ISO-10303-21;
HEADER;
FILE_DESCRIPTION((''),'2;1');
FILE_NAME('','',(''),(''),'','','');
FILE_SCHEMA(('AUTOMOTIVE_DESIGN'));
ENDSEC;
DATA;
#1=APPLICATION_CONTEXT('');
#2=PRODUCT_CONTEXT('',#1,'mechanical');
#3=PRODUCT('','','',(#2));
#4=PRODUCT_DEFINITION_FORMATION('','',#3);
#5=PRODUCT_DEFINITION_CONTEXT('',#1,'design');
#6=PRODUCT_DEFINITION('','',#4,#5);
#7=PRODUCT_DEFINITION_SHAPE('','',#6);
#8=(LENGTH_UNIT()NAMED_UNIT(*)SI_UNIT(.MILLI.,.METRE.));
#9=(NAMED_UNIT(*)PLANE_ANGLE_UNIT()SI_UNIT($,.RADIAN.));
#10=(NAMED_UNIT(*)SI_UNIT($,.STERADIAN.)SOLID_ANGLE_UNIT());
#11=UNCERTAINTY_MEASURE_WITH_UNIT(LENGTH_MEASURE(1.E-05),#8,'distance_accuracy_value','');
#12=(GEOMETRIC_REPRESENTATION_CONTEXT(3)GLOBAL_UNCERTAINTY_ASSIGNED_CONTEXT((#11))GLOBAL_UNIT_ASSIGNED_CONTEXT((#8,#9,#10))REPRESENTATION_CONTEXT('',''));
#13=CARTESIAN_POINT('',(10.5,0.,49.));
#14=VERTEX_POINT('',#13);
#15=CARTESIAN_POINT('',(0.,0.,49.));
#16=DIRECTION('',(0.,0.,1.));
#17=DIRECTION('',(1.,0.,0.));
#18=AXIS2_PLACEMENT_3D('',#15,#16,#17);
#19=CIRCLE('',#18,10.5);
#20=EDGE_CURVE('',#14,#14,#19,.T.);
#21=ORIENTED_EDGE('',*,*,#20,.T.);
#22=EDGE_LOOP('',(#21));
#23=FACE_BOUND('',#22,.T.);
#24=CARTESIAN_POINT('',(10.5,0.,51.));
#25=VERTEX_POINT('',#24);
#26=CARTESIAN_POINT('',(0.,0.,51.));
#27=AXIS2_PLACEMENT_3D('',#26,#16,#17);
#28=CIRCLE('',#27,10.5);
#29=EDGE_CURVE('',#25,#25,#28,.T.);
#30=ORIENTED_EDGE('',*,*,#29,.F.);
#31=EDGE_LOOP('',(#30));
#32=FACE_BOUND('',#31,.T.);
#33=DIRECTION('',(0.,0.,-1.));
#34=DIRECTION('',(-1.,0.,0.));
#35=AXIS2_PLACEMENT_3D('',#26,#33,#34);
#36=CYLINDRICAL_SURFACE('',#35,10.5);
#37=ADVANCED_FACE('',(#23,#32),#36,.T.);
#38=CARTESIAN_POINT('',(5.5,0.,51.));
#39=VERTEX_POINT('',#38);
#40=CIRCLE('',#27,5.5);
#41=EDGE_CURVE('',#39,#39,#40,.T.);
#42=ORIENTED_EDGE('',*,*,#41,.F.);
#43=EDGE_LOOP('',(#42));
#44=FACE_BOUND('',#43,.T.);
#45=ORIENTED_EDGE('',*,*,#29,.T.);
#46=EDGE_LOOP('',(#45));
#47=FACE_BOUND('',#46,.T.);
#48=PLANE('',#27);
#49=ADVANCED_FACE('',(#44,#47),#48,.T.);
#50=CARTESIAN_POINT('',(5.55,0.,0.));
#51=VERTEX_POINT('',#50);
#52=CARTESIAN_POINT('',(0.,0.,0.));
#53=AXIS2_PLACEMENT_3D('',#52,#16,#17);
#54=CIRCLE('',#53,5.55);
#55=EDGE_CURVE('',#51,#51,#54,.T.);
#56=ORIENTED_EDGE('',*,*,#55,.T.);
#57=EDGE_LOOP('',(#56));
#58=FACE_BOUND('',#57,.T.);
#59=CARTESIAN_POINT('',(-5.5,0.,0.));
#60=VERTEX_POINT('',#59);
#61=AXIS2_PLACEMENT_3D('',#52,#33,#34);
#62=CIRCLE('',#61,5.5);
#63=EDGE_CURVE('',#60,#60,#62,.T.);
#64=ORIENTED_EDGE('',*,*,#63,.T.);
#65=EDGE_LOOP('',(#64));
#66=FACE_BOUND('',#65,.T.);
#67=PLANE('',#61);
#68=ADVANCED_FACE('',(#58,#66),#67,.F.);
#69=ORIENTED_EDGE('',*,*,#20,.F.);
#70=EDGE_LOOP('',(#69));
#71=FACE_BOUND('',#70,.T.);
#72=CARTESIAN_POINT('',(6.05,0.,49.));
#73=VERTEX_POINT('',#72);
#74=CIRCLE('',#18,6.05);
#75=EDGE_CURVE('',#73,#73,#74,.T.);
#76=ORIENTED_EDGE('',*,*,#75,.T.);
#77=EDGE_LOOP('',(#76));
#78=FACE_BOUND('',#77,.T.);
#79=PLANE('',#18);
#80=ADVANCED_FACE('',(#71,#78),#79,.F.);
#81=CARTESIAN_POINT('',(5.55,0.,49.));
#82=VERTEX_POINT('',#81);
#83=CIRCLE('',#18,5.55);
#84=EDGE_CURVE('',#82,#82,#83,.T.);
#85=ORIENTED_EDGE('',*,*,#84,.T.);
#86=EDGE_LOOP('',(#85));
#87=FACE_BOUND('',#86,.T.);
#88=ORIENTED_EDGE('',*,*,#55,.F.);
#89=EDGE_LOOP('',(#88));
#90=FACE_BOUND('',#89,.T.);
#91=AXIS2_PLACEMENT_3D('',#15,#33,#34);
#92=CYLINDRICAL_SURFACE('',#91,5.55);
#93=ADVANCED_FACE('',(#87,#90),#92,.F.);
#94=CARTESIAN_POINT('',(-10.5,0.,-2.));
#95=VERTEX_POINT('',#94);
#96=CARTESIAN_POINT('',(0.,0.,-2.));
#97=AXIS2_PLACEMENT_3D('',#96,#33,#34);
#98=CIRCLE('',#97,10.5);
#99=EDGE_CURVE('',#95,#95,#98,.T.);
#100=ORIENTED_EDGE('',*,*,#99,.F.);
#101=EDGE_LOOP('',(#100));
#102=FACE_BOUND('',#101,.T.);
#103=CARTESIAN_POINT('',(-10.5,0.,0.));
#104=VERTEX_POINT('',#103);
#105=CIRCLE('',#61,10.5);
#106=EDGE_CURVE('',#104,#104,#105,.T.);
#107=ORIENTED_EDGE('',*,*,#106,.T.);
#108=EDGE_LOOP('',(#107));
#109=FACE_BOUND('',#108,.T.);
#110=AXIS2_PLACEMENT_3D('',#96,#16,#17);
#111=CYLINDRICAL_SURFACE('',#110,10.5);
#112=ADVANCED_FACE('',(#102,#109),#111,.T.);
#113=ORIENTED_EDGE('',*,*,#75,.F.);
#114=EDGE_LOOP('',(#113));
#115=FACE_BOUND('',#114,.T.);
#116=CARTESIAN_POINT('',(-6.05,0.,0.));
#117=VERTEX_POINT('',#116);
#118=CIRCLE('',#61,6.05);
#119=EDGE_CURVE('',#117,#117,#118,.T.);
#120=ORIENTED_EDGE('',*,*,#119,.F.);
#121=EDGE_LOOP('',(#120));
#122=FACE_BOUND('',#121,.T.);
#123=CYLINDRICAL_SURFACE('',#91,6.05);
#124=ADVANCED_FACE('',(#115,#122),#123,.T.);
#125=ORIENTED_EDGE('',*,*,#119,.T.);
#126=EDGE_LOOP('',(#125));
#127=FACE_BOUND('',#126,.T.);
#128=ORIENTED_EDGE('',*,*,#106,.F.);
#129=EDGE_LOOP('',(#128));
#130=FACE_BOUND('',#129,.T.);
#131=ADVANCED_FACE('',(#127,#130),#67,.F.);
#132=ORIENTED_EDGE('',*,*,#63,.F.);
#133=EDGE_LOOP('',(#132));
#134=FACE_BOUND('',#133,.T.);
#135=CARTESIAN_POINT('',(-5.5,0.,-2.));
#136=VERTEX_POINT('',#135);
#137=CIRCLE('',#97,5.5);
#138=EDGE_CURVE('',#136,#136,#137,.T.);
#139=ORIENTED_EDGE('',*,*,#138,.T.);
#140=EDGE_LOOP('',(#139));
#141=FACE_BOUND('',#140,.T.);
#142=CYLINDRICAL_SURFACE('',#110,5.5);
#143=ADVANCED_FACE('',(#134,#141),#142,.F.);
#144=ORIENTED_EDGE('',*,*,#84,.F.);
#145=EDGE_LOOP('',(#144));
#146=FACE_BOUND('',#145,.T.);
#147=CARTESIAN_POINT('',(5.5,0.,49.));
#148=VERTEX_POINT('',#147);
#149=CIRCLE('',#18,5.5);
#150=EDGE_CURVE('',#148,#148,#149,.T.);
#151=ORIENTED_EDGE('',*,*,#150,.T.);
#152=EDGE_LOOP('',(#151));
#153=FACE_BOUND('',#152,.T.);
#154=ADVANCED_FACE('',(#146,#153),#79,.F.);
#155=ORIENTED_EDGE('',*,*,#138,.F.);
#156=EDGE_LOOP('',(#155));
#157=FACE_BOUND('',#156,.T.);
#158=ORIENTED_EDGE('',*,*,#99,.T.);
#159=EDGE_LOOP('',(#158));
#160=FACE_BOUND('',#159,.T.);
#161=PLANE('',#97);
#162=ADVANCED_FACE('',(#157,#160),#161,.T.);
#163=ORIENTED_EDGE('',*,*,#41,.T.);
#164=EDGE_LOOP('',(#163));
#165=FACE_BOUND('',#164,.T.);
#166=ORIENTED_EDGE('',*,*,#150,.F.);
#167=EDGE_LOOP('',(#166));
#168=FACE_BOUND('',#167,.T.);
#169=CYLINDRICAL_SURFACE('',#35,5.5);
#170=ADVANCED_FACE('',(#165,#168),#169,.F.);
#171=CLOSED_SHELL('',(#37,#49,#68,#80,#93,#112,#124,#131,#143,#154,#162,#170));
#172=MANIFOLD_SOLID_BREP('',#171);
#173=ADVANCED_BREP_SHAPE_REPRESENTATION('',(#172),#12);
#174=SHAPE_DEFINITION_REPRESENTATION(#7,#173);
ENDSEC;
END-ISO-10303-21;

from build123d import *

# Parameters (mm, degrees)
SKETCH1_R      = 6.05
SKETCH1_R_2    = 5.55
EXTRUDE1_DEPTH = 49
SKETCH2_R      = 10.5
SKETCH2_R_2    = 5.5
EXTRUDE3_DEPTH = 2
EXTRUDE4_START = 2
SKETCH3_R      = 10.5
SKETCH3_R_2    = 5.5
EXTRUDE4_DEPTH = 2


with BuildPart() as part:
    # Sketch1 → Extrude1 (new body)
    with BuildSketch(Plane.XY):
        Circle(SKETCH1_R)
        Circle(SKETCH1_R_2, mode=Mode.SUBTRACT)
    extrude(amount=EXTRUDE1_DEPTH)

    # Sketch2 → Extrude3 (add)
    with BuildSketch(Plane.XY.offset(49)):
        Circle(SKETCH2_R)
        Circle(SKETCH2_R_2, mode=Mode.SUBTRACT)
    extrude(amount=EXTRUDE3_DEPTH)

    # Sketch3 → Extrude4 (add)
    with BuildSketch(Plane(origin=(0, 0, 0), x_dir=(-1, 0, 0), z_dir=(0, 0, -1)).offset(EXTRUDE4_START)):
        with Locations(Location((0, 0, 0), (0, 0, 180))):
            Circle(SKETCH3_R)
        with Locations(Location((0, 0, 0), (0, 0, 180))):
            Circle(SKETCH3_R_2, mode=Mode.SUBTRACT)
    extrude(amount=-EXTRUDE4_DEPTH)


solid = part.part
